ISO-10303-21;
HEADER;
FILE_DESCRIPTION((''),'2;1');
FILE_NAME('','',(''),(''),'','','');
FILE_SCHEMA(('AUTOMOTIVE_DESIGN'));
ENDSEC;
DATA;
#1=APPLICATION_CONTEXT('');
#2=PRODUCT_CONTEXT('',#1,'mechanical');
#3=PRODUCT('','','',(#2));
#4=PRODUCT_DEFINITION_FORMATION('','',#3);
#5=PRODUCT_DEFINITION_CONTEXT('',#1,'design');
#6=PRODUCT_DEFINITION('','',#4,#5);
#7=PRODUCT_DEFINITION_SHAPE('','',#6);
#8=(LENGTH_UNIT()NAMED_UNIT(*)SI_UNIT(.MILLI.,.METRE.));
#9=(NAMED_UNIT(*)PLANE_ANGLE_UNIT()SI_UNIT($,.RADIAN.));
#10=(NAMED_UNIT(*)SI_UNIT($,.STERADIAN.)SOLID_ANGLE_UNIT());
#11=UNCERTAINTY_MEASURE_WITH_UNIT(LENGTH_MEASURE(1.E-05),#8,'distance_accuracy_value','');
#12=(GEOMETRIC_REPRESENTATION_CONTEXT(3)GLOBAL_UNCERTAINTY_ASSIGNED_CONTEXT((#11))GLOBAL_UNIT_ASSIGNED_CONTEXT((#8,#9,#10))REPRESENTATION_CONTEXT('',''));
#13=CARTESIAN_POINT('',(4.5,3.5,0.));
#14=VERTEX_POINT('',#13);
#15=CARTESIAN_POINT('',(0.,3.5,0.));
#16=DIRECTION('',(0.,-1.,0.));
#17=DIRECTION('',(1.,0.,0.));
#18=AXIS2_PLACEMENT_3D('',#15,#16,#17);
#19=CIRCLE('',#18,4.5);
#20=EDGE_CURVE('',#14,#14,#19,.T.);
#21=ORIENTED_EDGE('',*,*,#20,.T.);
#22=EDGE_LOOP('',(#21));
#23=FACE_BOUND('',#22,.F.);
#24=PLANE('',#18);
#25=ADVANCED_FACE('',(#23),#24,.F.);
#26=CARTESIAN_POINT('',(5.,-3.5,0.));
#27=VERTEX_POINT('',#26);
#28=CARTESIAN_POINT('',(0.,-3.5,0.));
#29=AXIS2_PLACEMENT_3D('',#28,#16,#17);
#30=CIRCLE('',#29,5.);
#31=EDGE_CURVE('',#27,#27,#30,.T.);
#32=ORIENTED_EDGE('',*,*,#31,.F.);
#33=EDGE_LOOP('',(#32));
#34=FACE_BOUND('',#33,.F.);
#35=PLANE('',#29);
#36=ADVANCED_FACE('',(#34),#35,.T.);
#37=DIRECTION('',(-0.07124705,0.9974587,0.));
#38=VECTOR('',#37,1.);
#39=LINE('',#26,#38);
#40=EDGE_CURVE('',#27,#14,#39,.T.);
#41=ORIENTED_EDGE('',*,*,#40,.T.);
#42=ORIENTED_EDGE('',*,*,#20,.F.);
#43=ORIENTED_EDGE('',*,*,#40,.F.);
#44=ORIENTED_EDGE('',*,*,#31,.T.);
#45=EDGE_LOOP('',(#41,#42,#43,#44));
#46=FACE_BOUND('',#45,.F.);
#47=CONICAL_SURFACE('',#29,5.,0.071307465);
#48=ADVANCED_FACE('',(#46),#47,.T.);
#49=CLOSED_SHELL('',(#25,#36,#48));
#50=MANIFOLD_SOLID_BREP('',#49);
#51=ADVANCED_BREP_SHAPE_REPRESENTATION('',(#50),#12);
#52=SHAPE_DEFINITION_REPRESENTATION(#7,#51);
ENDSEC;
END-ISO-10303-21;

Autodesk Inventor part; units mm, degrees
ref_plane "YZ Plane" through (0, 0, 0) normal (1, 0, 0) x (0, 1, 0)
ref_plane "XZ Plane" through (0, 0, 0) normal (0, 1, 0) x (-1, 0, 0)
ref_plane "XY Plane" through (0, 0, 0) normal (0, 0, 1) x (1, 0, 0)
sketch "Эскиз1" plane through (0, 0, 0) normal (0, 0, 1) x (1, 0, 0)
  line L0 (0, 3.5) -> (0, -3.5)
  line L1 (0, -3.5) -> (5, -3.5)
  line L2 (5, -3.5) -> (4.5, 3.5)
  line L3 (4.5, 3.5) -> (0, 3.5)
  point P0 (0, 0)
  point P1 (0, 0)
  dimension "d0" = 7
  dimension "d1" = 10
  dimension "d2" = 9
revolve "Вращение1" add sketch "Эскиз1" angle 360 about axis through (0, 3.5, 0) along (0, -1, 0)
properties part number "68. Заглушка"
